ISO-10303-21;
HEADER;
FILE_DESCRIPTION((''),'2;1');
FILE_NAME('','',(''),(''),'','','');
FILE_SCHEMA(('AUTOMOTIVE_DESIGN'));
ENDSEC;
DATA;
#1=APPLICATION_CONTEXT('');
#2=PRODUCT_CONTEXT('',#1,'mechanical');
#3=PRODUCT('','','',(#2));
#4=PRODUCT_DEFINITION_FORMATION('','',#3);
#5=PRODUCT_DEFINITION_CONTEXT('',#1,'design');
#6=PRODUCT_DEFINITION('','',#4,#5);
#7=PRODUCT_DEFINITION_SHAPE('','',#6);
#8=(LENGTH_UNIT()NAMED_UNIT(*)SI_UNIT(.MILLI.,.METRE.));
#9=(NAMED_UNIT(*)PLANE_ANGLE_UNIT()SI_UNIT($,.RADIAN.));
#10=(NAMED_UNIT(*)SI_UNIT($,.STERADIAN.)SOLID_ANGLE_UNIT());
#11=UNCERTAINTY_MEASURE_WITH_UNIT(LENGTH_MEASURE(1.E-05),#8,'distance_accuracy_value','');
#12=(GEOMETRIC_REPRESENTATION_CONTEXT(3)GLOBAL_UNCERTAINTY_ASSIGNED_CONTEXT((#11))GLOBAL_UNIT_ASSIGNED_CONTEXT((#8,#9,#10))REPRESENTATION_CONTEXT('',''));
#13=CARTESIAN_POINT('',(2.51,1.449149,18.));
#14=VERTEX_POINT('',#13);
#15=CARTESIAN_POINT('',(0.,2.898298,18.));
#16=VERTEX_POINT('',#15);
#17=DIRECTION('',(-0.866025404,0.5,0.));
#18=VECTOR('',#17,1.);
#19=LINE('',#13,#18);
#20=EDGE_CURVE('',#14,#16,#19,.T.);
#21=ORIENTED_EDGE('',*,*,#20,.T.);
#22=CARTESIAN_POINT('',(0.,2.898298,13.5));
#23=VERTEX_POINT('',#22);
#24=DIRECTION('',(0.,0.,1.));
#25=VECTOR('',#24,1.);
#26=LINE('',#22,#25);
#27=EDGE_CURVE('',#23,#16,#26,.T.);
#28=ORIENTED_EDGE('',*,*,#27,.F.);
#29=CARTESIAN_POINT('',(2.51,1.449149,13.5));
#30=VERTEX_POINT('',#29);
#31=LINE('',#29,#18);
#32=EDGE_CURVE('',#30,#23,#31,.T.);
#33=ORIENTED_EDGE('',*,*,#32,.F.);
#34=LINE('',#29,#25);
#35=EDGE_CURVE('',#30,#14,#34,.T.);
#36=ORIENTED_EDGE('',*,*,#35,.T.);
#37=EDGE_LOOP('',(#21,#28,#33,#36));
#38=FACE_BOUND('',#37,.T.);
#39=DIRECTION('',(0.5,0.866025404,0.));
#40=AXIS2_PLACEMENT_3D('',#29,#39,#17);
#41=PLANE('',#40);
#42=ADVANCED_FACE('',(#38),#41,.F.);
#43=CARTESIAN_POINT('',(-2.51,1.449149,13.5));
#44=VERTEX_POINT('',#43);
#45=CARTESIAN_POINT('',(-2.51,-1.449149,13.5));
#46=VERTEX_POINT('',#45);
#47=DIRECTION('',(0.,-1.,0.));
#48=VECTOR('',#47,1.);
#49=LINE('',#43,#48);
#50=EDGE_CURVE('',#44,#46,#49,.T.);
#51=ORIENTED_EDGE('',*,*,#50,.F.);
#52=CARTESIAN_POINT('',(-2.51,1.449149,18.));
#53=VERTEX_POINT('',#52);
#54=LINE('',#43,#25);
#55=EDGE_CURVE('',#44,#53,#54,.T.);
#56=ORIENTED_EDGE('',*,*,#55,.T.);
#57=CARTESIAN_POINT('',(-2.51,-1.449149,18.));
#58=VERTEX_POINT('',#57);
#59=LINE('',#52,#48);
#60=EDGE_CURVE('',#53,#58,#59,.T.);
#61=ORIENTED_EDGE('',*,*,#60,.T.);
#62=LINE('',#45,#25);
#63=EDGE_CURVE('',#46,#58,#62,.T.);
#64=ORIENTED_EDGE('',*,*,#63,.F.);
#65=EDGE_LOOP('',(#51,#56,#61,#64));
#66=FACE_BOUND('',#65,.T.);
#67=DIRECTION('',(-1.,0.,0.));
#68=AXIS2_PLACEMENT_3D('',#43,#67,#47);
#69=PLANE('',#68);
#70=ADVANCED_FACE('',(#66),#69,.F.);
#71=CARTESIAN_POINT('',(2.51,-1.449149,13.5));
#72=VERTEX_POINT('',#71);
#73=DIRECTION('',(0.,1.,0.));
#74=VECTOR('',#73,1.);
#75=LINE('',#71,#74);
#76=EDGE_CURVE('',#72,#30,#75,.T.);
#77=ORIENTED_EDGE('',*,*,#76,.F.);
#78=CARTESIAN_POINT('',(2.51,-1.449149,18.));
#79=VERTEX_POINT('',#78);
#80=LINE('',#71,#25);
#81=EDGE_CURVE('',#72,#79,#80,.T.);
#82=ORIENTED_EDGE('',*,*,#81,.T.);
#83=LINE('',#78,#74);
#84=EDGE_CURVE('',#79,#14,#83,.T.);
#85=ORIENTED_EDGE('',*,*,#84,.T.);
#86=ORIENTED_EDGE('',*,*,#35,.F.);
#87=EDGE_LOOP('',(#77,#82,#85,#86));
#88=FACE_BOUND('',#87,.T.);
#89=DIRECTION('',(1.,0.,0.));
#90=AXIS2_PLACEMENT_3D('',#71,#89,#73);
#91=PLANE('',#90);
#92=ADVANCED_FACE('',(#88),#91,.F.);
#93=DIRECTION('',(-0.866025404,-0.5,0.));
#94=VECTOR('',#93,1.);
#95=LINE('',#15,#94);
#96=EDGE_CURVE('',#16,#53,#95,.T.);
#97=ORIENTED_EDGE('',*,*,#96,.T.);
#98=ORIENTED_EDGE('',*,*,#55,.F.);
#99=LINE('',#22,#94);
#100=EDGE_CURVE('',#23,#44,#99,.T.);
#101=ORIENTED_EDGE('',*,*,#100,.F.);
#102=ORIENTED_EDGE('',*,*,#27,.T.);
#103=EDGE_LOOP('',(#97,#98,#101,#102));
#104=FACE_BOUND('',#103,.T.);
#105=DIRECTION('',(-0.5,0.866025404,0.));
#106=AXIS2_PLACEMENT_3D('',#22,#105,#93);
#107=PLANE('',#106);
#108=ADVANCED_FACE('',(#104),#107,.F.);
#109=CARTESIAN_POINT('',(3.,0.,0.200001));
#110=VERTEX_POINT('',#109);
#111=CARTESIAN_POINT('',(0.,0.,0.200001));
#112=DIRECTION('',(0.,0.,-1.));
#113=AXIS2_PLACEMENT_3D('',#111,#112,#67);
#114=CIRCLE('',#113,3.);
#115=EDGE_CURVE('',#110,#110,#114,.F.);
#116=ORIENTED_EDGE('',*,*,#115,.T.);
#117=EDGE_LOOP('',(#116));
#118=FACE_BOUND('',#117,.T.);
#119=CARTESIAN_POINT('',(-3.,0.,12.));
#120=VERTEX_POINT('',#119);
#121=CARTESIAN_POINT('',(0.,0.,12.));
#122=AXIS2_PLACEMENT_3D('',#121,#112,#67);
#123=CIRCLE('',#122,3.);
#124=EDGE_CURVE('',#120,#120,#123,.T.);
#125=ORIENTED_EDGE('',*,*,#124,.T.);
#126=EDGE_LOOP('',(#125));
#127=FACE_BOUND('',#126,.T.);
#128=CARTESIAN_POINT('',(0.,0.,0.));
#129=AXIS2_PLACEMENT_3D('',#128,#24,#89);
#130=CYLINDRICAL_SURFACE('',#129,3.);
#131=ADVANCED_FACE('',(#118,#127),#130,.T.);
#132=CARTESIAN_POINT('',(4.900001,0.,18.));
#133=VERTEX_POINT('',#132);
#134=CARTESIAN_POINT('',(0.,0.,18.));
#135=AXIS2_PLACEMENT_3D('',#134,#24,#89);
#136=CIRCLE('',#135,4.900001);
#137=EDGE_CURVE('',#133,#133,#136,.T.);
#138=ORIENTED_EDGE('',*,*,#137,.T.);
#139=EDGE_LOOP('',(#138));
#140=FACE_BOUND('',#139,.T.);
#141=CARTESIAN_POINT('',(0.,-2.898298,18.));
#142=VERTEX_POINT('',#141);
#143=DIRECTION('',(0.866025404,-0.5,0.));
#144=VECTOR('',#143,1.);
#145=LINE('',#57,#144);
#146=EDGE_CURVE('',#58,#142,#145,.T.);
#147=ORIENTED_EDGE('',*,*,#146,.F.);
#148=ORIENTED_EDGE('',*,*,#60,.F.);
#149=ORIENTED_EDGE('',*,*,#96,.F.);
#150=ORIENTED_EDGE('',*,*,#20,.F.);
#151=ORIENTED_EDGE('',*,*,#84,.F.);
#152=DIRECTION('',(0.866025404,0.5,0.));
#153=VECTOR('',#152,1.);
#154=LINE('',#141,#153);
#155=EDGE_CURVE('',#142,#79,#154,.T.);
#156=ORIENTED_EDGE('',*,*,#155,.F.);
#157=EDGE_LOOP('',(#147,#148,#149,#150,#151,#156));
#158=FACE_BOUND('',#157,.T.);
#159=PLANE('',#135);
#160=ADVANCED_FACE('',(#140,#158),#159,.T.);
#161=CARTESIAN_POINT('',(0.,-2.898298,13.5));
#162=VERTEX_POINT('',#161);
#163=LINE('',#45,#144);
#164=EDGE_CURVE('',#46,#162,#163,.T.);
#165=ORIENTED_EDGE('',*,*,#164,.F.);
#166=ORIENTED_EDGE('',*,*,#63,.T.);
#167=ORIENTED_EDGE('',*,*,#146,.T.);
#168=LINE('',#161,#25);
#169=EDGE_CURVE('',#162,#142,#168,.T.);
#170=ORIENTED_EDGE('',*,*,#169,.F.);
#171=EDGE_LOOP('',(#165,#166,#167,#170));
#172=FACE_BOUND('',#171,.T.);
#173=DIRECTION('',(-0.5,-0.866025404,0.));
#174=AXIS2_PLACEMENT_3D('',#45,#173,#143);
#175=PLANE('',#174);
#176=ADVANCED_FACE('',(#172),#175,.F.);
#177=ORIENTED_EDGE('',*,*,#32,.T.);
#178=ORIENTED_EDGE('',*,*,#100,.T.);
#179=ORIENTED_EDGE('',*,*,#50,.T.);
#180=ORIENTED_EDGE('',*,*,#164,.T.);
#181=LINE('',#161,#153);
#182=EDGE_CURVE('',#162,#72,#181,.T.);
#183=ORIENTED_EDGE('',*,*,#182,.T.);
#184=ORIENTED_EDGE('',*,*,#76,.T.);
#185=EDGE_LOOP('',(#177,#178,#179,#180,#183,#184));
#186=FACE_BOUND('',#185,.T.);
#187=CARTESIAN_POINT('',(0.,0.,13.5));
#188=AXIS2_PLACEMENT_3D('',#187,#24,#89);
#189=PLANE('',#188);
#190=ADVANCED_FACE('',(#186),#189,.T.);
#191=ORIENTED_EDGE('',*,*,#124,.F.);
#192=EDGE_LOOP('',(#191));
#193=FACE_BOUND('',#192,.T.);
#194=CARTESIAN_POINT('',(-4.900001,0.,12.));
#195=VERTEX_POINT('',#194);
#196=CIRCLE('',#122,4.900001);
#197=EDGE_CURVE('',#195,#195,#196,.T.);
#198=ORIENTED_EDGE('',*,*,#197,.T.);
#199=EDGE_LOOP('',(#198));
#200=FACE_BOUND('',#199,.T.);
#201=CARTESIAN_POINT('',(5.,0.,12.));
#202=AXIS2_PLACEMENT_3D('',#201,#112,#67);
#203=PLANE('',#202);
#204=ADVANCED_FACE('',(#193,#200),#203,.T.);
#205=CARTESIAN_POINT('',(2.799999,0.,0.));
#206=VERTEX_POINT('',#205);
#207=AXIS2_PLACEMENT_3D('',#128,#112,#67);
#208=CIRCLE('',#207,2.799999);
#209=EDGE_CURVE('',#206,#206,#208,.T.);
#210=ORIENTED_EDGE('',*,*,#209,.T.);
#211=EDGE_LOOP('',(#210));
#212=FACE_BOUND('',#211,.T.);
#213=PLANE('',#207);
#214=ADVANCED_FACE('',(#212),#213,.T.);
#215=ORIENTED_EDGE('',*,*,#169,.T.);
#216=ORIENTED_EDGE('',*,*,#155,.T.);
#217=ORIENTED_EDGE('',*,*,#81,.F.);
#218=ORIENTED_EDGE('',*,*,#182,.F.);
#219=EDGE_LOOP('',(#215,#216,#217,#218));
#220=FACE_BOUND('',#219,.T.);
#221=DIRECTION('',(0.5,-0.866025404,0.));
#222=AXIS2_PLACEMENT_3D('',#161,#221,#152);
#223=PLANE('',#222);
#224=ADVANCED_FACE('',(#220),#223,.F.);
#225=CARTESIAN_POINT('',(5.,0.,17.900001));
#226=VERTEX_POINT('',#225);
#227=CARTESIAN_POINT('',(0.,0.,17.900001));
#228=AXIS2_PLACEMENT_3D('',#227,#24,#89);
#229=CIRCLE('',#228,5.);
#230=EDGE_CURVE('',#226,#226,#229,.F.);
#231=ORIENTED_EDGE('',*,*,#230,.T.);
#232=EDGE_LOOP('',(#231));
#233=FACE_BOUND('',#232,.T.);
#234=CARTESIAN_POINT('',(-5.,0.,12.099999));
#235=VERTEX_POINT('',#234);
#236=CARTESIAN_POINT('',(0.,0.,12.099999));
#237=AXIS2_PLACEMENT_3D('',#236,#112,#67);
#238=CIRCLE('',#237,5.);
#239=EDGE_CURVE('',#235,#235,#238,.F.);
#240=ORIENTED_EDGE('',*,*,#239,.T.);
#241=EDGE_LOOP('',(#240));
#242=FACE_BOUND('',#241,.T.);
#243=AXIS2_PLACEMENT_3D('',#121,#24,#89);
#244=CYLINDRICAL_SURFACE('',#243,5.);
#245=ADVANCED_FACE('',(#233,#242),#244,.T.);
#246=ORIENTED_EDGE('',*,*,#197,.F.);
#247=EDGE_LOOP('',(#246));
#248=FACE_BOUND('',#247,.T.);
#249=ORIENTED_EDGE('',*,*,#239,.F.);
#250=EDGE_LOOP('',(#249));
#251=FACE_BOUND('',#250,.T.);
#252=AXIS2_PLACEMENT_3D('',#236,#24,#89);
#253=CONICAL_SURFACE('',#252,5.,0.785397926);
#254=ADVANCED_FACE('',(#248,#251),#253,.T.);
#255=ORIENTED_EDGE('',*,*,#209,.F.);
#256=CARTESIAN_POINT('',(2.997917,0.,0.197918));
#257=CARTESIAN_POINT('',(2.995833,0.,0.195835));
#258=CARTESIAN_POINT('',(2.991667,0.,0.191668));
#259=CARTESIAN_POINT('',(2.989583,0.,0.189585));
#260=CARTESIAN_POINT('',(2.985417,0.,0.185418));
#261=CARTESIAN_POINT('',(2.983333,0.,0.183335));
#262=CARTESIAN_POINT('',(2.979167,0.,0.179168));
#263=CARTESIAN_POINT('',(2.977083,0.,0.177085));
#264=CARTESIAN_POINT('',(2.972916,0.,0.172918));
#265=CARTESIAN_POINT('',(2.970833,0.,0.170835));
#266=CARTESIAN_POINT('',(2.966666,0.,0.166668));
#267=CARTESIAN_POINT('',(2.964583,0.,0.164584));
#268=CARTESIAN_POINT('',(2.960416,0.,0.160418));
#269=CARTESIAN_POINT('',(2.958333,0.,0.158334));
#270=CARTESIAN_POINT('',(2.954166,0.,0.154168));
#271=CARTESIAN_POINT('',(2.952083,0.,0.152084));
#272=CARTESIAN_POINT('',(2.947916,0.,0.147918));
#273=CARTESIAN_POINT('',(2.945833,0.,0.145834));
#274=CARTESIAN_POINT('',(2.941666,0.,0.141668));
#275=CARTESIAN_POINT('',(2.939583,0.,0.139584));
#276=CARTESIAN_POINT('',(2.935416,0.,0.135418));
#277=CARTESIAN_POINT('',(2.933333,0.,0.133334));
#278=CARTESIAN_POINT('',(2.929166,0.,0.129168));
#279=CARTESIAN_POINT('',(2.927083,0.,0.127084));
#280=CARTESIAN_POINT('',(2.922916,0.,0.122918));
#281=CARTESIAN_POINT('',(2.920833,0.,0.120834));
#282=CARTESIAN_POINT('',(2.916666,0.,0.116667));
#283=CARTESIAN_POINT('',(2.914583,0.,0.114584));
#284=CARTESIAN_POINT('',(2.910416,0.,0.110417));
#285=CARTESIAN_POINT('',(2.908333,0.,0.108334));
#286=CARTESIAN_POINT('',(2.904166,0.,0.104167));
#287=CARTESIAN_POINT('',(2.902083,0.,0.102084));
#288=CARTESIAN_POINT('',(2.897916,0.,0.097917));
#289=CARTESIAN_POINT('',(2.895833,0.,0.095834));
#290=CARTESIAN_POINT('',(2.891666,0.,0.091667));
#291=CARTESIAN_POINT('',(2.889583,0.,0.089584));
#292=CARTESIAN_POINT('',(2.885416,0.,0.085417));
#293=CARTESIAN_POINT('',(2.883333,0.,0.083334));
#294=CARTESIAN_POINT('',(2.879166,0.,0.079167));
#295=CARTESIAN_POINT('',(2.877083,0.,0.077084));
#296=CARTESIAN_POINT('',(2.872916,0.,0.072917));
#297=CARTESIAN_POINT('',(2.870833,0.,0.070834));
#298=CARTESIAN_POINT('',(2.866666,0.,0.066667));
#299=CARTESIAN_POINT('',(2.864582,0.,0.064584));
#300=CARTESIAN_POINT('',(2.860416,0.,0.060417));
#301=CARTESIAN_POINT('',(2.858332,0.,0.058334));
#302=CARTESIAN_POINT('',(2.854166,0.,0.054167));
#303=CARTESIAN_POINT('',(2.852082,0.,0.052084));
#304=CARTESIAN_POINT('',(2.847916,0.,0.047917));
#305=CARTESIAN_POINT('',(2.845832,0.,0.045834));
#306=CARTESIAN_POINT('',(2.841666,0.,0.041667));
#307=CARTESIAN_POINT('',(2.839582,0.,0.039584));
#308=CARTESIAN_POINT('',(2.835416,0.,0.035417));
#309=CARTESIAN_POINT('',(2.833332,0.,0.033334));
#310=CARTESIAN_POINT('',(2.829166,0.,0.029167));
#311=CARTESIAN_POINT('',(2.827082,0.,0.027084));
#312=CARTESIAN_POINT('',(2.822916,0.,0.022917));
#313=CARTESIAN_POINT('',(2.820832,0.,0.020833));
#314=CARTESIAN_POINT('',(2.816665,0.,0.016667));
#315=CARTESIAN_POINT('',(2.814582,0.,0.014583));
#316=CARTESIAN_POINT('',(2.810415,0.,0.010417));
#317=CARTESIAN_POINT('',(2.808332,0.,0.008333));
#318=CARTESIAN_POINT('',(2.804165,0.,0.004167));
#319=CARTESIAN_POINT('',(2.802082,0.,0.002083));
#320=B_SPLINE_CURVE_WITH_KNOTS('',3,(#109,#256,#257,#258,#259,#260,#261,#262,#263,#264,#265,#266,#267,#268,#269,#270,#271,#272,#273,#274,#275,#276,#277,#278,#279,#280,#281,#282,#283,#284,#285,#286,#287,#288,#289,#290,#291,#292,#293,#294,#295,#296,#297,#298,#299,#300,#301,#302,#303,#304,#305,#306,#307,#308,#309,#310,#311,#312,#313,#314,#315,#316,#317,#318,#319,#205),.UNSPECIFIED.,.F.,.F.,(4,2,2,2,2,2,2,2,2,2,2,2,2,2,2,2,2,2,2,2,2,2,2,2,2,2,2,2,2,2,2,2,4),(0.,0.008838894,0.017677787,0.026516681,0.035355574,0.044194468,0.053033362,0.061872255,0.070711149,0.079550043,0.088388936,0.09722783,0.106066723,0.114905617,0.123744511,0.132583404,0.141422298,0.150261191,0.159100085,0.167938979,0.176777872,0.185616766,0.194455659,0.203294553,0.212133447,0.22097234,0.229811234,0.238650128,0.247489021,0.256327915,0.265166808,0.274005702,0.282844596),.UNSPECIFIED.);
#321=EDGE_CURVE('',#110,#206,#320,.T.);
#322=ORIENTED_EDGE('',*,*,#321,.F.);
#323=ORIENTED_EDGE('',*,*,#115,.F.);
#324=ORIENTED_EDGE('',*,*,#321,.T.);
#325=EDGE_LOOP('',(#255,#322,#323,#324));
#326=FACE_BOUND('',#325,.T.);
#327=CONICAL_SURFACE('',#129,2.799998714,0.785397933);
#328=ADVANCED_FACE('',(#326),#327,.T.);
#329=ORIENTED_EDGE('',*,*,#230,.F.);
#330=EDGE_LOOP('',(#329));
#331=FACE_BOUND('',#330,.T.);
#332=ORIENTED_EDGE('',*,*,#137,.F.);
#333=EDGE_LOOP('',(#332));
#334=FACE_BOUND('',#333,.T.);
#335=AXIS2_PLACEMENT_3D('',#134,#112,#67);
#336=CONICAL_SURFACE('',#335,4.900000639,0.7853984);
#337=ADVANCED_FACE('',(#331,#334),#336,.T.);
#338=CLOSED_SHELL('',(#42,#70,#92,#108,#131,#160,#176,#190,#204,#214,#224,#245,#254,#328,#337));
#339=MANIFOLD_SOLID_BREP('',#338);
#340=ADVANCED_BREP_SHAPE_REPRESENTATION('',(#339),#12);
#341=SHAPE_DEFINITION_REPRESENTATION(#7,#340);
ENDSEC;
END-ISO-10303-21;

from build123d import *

# Parameters (mm, degrees)
SKETCH_1_W          = 5
SKETCH_1_H          = 6
SKETCH_2_R          = 3
EXTRUDE_1_DEPTH     = 12
CUT_EXTRUDE_1_DEPTH = 4.5
CHAMFER_1_SIZE2     = 0.099999313
CHAMFER_1_SIZE      = 0.099999361
CHAMFER_2_SIZE      = 0.200001286
CHAMFER_2_SIZE2     = 0.200001378


with BuildPart() as part:
    # 草图1 → 旋转1 (revolve)
    with BuildSketch(Plane(origin=(0, 0, 0), x_dir=(1, 0, 0), z_dir=(0, 1, 0))):
        with Locations((2.5, -15)):
            Rectangle(SKETCH_1_W, SKETCH_1_H)
    revolve(axis=Axis((0, 0, 12), (0, 0, 1)))

    # 草图2 → 凸台-拉伸1 (add)
    with BuildSketch(Plane(origin=(0, 0, 12), x_dir=(-1, 0, 0), z_dir=(0, 0, -1))):
        Circle(SKETCH_2_R)
    extrude(amount=EXTRUDE_1_DEPTH)

    # 草图3 → 切除-拉伸1 (cut)
    with BuildSketch(Plane.XY.offset(18)):
        Polygon((-2.51, -1.449149176), (0, -2.898298351), (2.51, -1.449149176), (2.51, 1.449149176), (0, 2.898298351), (-2.51, 1.449149176), align=None)
    extrude(amount=-CUT_EXTRUDE_1_DEPTH, mode=Mode.SUBTRACT)

    # 倒角1
    chamfer_1_edges = [part.edges().sort_by_distance(p)[0] for p in [
        (-5, 0, 18),
        (-5, 0, 12),
    ]]
    chamfer(chamfer_1_edges, length=CHAMFER_1_SIZE, length2=CHAMFER_1_SIZE2)

    # 倒角2
    chamfer_2_edges = [part.edges().sort_by_distance(p)[0] for p in [
        (3, 0, 0),
    ]]
    chamfer_2_side = [part.faces().sort_by_distance(p)[0] for p in [
        (3, 0, 6),
    ]]
    chamfer(chamfer_2_edges, length=CHAMFER_2_SIZE, length2=CHAMFER_2_SIZE2, reference=chamfer_2_side[0])


solid = part.part
